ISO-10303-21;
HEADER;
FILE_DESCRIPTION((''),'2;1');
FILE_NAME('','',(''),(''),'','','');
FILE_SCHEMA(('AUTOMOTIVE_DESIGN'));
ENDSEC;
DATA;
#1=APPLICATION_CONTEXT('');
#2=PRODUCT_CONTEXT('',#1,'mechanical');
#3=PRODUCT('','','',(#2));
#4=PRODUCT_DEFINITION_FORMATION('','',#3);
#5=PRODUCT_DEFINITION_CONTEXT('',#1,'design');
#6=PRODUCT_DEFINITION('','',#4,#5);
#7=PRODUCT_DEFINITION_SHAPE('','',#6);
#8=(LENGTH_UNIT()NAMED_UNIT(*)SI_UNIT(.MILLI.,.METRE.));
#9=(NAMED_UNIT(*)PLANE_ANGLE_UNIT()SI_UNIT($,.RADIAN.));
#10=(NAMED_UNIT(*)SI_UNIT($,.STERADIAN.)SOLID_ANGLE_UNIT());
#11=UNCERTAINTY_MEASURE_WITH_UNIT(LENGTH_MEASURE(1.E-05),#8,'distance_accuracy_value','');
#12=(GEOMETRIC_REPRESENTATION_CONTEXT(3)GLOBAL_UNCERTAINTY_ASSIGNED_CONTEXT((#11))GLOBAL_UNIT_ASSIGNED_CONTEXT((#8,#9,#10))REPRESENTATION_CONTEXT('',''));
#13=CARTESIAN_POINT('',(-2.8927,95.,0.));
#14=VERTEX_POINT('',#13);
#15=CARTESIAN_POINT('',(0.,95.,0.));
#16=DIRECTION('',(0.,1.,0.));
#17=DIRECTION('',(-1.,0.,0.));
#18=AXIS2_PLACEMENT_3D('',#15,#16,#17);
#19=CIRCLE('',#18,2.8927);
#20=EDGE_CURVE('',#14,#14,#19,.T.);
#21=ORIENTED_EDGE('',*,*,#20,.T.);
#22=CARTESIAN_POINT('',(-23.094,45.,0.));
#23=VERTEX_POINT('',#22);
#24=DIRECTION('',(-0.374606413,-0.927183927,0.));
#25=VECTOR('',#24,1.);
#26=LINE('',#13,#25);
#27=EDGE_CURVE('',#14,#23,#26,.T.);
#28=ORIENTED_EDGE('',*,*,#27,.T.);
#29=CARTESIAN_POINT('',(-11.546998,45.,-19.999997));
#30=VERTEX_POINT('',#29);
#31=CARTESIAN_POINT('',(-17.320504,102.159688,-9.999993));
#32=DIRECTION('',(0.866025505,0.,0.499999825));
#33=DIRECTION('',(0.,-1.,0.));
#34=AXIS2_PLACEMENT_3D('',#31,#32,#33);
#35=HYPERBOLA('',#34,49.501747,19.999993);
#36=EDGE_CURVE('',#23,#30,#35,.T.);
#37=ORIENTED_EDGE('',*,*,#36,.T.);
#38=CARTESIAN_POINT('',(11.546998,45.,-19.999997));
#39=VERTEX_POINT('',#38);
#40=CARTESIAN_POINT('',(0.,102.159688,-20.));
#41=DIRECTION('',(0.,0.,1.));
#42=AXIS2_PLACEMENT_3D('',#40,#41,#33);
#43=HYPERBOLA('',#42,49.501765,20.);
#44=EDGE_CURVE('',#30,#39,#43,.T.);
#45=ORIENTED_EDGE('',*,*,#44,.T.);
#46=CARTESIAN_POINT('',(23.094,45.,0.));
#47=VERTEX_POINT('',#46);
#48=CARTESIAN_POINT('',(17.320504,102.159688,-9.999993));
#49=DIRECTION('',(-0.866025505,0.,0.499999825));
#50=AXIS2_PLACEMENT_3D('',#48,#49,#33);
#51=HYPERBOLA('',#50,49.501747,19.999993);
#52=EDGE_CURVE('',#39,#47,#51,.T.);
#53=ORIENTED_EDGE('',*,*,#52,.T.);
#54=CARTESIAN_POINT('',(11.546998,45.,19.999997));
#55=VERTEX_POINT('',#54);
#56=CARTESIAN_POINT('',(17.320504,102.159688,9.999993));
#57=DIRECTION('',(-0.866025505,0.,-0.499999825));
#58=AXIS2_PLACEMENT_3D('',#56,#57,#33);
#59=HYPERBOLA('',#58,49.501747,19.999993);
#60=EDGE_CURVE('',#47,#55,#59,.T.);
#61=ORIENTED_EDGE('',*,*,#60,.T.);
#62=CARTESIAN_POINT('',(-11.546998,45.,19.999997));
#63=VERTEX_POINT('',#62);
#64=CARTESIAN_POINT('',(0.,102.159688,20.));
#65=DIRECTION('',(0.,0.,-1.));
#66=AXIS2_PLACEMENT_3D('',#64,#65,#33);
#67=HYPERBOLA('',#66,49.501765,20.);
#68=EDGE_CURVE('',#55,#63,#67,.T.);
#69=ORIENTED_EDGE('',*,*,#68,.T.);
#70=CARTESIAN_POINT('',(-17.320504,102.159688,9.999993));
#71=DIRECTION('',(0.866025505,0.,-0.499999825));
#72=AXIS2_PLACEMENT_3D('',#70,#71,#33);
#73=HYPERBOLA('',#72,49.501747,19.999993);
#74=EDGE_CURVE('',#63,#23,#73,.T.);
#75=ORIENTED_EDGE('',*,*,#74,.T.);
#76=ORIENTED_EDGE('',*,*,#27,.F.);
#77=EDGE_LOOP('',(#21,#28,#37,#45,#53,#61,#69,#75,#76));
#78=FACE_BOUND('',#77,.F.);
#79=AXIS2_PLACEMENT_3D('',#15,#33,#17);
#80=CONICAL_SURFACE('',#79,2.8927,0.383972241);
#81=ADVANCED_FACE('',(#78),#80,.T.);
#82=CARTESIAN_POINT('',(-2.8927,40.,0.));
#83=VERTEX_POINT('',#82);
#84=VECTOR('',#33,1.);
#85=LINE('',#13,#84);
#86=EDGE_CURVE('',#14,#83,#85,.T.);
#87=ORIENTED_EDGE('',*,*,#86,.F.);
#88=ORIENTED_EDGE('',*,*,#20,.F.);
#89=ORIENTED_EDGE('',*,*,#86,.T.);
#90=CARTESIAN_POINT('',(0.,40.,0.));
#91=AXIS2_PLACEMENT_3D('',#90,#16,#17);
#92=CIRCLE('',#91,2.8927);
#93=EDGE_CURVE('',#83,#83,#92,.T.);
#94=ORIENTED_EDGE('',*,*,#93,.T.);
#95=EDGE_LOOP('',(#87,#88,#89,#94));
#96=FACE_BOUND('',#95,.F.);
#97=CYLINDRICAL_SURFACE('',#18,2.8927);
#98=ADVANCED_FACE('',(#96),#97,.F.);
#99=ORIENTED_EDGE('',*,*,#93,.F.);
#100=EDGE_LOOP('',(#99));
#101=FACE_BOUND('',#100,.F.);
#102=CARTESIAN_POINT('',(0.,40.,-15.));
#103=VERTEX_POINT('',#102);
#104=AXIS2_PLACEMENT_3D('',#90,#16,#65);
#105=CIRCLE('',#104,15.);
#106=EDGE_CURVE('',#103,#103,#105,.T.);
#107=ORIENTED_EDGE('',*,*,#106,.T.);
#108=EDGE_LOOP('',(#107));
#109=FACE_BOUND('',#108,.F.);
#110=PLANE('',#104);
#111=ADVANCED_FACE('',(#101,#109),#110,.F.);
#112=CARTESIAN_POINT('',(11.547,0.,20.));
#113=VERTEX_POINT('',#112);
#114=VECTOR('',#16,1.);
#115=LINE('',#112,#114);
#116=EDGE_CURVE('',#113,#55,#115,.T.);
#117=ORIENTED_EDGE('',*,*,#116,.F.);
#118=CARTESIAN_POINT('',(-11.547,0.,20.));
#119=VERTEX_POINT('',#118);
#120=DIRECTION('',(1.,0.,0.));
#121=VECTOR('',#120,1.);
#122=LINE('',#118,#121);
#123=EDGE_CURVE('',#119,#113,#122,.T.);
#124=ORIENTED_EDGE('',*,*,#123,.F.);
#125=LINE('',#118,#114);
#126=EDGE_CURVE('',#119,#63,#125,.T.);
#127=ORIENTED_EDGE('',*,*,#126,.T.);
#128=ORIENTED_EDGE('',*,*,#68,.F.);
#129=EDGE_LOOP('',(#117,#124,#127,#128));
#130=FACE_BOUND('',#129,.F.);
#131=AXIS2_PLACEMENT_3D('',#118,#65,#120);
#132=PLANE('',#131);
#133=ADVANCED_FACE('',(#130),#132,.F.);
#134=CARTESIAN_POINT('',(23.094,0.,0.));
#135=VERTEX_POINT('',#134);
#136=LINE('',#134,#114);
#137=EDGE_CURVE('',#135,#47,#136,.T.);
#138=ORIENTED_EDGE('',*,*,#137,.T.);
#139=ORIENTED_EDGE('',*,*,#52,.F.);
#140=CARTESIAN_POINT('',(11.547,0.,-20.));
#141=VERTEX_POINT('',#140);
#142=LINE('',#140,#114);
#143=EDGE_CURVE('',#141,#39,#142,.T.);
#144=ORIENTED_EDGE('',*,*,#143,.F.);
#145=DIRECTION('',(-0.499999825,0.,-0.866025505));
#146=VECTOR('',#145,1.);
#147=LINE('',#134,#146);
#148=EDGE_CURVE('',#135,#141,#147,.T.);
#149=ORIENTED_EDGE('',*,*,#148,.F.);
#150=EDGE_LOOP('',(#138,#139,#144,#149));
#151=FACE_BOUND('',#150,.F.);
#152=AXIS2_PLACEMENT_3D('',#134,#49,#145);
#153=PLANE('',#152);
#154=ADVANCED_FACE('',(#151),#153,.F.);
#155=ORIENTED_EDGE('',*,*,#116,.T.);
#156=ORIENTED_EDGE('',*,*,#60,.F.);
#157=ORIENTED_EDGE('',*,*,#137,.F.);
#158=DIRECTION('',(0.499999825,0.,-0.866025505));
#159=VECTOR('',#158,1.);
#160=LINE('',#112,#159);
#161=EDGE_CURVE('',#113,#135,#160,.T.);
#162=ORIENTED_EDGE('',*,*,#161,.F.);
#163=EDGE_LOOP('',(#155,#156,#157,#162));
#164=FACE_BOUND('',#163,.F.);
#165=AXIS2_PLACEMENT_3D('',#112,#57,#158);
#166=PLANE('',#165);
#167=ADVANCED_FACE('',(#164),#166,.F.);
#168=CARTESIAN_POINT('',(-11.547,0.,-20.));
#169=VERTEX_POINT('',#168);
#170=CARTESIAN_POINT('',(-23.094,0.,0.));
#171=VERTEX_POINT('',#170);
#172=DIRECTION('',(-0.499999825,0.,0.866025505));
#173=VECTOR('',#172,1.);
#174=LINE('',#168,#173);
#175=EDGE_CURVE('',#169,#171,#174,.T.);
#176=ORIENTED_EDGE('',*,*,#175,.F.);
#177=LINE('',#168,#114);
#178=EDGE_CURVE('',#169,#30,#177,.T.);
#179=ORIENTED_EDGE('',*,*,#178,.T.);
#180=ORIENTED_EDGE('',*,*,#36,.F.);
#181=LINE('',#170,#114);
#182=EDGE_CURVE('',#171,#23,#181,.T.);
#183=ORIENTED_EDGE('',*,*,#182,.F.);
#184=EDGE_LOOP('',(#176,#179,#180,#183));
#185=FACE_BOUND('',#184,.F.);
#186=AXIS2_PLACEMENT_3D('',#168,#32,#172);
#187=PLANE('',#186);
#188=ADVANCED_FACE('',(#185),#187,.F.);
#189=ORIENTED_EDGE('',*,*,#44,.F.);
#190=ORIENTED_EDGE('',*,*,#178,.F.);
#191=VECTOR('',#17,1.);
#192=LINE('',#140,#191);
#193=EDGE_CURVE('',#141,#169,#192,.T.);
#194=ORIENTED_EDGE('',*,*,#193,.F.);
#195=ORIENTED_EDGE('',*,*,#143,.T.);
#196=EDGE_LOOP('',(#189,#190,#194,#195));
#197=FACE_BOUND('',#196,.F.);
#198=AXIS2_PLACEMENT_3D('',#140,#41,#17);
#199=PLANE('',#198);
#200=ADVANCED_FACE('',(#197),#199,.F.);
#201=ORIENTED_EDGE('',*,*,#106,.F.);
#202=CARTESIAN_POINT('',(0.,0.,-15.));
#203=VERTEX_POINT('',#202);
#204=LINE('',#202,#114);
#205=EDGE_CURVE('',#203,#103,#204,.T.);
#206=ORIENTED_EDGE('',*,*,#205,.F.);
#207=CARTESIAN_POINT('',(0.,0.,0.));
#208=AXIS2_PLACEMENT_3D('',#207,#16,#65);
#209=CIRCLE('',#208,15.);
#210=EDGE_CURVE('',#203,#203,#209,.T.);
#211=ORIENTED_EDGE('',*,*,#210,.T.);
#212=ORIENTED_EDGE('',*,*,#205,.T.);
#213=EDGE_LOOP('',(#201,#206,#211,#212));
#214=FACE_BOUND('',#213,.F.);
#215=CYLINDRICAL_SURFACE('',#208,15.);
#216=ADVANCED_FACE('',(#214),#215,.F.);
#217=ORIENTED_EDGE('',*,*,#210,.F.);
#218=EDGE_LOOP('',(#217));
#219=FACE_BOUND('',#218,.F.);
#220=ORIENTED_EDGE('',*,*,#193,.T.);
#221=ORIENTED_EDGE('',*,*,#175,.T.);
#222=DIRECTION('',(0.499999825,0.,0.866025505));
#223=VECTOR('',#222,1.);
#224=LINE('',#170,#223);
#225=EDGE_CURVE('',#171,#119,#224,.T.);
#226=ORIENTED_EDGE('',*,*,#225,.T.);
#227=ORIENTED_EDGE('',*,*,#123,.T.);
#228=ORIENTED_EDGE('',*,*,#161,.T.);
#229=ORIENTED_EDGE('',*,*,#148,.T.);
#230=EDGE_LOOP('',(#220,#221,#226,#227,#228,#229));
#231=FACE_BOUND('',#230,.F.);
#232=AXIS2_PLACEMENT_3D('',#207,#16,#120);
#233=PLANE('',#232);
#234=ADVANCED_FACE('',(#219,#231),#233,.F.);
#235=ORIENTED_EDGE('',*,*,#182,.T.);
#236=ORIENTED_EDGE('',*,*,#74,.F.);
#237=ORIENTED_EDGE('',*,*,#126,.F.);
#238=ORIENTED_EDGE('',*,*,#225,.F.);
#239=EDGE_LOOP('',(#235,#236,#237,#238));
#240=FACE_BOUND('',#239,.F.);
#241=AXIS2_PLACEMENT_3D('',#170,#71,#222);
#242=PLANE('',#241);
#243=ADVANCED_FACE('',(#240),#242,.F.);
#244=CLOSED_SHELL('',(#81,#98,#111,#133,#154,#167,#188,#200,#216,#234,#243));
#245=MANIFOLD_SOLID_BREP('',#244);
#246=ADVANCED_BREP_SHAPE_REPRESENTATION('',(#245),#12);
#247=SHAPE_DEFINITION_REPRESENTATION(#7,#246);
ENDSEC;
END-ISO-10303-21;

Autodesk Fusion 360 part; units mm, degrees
sketch "Esquisse1" plane through (0, 0, 0) normal (0, 1, 0) x (1, 0, 0)
  line L0 (11.547, -20) -> (23.094, 0)
  line L1 (23.094, 0) -> (11.547, 20)
  line L2 (11.547, 20) -> (-11.547, 20)
  line L3 (-11.547, 20) -> (-23.094, 0)
  line L4 (-23.094, 0) -> (-11.547, -20)
  line L5 (-11.547, -20) -> (11.547, -20)
  dimension "d1" = 20
extrude "Extrusion1" add sketch "Esquisse1" along normal blind 95
sketch "Esquisse3" plane through (0, 0, 0) normal (0, 0, 1) x (1, 0, 0)
  line L0 (11.547, 95) -> (-11.547, 95)
  line L1 (-2.8927, 95) -> (-23.094, 45)
  line L2 (-23.094, 45) -> (-23.094, 95)
  line L3 (-23.094, 95) -> (-2.8927, 95)
  line L4 (-23.094, 0) -> (-23.094, 95)
  point P0 (0, 95)
  dimension "d8" = 50
  dimension "d9" = 22
revolve "Révolution1" cut sketch "Esquisse3" angle 360 about axis through (0, 1.75, 0) along (0, 1, 0)
extrude "Extrusion2" cut 1 faces at (0.2146, 95, -0.8551) along direction (0, -1, 0) blind 130
hole "Perçage1" at (0, 0, 0) direction (0, 1, 0) diameter 30 depth 40 tip angle 180
